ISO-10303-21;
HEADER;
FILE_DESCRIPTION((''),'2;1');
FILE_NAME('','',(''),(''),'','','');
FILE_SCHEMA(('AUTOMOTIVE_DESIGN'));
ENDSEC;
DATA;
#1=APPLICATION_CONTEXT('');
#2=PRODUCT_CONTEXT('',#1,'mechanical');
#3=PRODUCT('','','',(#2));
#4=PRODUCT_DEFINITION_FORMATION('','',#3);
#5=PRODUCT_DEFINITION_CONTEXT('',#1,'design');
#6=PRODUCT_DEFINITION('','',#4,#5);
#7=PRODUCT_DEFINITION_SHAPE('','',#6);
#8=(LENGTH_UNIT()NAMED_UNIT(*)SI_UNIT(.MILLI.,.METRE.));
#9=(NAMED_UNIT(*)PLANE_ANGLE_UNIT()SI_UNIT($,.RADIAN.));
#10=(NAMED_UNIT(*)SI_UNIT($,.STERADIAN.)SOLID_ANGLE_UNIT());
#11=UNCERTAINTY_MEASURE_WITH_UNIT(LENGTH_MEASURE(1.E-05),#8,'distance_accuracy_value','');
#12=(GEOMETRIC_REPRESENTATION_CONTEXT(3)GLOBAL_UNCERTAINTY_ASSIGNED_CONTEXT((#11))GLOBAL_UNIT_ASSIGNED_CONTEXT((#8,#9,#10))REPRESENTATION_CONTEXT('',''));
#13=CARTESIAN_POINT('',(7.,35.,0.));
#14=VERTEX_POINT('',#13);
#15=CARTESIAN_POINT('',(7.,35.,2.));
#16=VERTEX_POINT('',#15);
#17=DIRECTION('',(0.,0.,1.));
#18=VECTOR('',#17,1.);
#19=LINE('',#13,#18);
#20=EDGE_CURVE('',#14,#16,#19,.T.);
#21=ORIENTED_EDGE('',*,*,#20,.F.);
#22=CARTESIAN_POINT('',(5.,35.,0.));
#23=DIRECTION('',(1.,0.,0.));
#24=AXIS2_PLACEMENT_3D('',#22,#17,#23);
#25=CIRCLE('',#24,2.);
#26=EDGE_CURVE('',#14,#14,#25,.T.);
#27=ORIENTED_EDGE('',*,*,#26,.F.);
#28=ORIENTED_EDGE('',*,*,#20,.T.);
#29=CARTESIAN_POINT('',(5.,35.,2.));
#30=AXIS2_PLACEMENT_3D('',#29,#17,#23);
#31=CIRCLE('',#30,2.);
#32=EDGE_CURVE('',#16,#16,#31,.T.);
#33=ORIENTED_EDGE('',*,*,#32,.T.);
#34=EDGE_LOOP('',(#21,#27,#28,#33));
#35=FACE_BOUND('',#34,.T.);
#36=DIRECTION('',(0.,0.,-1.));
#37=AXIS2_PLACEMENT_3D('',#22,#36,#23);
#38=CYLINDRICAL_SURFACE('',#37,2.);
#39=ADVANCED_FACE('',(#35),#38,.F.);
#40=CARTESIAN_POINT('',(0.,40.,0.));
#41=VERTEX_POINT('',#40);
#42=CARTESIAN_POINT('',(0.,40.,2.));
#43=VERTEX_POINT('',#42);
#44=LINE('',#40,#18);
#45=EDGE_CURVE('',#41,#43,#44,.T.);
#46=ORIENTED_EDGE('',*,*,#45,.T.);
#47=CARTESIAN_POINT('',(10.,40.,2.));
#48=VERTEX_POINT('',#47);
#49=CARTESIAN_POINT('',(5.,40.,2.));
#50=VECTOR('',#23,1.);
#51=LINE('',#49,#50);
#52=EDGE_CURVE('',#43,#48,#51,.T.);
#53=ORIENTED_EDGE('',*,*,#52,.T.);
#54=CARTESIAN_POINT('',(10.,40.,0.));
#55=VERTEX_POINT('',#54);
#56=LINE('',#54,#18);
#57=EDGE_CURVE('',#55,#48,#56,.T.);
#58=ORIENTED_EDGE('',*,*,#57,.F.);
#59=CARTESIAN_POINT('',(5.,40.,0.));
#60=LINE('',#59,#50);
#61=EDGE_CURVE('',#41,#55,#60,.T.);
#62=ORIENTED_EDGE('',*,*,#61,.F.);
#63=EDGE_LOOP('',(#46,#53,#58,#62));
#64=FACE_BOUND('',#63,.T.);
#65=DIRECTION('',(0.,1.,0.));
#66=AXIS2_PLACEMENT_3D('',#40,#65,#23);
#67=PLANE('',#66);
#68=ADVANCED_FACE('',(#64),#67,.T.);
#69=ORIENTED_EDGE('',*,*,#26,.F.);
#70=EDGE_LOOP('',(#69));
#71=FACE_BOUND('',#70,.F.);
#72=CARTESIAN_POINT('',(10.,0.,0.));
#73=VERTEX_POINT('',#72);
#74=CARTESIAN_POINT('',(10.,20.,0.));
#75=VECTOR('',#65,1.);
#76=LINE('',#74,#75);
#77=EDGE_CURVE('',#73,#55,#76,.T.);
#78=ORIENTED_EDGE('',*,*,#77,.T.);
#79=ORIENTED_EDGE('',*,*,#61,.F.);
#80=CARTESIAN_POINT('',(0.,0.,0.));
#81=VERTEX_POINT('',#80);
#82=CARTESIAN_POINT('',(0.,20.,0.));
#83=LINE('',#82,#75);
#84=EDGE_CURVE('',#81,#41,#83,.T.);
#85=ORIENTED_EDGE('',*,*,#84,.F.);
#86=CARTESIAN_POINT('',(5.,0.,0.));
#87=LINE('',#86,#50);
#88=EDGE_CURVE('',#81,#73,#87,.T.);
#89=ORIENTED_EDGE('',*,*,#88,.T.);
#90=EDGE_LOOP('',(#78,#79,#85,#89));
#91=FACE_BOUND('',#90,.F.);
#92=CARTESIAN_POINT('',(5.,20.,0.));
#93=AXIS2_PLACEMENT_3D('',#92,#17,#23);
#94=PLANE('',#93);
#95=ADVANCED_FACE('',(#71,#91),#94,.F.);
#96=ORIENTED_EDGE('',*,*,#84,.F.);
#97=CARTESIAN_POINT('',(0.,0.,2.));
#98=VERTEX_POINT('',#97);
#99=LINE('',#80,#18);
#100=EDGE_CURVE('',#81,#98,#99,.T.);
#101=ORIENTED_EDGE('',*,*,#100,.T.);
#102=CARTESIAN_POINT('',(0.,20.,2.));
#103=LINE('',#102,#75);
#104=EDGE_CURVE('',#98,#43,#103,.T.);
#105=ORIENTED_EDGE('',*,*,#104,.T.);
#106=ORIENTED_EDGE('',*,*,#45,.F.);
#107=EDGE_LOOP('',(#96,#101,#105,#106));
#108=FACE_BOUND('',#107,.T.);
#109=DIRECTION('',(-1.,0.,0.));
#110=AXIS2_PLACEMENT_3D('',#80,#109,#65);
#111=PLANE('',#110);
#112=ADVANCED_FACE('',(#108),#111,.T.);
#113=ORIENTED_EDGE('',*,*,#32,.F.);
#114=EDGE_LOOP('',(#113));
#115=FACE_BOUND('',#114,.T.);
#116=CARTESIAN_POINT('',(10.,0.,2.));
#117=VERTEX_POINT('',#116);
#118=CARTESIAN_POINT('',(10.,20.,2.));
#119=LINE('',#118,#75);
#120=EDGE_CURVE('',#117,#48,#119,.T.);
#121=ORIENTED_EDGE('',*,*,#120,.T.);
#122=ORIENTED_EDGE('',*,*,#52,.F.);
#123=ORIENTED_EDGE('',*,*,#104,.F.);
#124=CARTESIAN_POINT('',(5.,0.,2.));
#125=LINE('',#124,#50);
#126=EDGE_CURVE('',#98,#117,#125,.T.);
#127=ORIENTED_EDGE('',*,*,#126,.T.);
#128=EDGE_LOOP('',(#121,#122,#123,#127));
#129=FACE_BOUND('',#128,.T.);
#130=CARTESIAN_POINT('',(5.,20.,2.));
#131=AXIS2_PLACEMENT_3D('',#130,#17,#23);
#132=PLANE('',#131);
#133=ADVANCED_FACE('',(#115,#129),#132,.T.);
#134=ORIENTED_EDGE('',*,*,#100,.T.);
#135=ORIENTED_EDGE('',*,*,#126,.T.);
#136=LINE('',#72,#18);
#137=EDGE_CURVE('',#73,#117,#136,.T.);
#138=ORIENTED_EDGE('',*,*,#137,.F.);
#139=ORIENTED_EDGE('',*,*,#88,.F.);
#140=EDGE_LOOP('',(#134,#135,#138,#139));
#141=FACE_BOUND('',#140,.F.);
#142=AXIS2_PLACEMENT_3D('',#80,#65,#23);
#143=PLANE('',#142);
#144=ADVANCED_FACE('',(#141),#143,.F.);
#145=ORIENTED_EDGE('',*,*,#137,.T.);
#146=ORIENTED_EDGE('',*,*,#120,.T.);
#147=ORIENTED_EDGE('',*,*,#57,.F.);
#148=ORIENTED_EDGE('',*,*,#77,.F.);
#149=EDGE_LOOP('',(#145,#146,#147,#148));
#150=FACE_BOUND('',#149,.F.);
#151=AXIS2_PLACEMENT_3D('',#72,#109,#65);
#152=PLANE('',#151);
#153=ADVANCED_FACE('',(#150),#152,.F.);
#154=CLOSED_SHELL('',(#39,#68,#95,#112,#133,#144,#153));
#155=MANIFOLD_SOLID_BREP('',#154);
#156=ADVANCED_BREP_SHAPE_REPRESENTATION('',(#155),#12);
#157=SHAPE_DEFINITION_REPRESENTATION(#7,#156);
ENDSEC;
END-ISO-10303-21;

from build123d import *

# Parameters (mm, degrees)
SKETCH_W  = 10
SKETCH_H  = 40
SKETCH_R  = 2
PAD_DEPTH = 2


with BuildPart() as part:
    # Sketch → Pad (new body)
    with BuildSketch(Plane.XY):
        with Locations((5, 20)):
            Rectangle(SKETCH_W, SKETCH_H)
        with Locations((5, 35)):
            Circle(SKETCH_R, mode=Mode.SUBTRACT)
    extrude(amount=PAD_DEPTH)


solid = part.part
